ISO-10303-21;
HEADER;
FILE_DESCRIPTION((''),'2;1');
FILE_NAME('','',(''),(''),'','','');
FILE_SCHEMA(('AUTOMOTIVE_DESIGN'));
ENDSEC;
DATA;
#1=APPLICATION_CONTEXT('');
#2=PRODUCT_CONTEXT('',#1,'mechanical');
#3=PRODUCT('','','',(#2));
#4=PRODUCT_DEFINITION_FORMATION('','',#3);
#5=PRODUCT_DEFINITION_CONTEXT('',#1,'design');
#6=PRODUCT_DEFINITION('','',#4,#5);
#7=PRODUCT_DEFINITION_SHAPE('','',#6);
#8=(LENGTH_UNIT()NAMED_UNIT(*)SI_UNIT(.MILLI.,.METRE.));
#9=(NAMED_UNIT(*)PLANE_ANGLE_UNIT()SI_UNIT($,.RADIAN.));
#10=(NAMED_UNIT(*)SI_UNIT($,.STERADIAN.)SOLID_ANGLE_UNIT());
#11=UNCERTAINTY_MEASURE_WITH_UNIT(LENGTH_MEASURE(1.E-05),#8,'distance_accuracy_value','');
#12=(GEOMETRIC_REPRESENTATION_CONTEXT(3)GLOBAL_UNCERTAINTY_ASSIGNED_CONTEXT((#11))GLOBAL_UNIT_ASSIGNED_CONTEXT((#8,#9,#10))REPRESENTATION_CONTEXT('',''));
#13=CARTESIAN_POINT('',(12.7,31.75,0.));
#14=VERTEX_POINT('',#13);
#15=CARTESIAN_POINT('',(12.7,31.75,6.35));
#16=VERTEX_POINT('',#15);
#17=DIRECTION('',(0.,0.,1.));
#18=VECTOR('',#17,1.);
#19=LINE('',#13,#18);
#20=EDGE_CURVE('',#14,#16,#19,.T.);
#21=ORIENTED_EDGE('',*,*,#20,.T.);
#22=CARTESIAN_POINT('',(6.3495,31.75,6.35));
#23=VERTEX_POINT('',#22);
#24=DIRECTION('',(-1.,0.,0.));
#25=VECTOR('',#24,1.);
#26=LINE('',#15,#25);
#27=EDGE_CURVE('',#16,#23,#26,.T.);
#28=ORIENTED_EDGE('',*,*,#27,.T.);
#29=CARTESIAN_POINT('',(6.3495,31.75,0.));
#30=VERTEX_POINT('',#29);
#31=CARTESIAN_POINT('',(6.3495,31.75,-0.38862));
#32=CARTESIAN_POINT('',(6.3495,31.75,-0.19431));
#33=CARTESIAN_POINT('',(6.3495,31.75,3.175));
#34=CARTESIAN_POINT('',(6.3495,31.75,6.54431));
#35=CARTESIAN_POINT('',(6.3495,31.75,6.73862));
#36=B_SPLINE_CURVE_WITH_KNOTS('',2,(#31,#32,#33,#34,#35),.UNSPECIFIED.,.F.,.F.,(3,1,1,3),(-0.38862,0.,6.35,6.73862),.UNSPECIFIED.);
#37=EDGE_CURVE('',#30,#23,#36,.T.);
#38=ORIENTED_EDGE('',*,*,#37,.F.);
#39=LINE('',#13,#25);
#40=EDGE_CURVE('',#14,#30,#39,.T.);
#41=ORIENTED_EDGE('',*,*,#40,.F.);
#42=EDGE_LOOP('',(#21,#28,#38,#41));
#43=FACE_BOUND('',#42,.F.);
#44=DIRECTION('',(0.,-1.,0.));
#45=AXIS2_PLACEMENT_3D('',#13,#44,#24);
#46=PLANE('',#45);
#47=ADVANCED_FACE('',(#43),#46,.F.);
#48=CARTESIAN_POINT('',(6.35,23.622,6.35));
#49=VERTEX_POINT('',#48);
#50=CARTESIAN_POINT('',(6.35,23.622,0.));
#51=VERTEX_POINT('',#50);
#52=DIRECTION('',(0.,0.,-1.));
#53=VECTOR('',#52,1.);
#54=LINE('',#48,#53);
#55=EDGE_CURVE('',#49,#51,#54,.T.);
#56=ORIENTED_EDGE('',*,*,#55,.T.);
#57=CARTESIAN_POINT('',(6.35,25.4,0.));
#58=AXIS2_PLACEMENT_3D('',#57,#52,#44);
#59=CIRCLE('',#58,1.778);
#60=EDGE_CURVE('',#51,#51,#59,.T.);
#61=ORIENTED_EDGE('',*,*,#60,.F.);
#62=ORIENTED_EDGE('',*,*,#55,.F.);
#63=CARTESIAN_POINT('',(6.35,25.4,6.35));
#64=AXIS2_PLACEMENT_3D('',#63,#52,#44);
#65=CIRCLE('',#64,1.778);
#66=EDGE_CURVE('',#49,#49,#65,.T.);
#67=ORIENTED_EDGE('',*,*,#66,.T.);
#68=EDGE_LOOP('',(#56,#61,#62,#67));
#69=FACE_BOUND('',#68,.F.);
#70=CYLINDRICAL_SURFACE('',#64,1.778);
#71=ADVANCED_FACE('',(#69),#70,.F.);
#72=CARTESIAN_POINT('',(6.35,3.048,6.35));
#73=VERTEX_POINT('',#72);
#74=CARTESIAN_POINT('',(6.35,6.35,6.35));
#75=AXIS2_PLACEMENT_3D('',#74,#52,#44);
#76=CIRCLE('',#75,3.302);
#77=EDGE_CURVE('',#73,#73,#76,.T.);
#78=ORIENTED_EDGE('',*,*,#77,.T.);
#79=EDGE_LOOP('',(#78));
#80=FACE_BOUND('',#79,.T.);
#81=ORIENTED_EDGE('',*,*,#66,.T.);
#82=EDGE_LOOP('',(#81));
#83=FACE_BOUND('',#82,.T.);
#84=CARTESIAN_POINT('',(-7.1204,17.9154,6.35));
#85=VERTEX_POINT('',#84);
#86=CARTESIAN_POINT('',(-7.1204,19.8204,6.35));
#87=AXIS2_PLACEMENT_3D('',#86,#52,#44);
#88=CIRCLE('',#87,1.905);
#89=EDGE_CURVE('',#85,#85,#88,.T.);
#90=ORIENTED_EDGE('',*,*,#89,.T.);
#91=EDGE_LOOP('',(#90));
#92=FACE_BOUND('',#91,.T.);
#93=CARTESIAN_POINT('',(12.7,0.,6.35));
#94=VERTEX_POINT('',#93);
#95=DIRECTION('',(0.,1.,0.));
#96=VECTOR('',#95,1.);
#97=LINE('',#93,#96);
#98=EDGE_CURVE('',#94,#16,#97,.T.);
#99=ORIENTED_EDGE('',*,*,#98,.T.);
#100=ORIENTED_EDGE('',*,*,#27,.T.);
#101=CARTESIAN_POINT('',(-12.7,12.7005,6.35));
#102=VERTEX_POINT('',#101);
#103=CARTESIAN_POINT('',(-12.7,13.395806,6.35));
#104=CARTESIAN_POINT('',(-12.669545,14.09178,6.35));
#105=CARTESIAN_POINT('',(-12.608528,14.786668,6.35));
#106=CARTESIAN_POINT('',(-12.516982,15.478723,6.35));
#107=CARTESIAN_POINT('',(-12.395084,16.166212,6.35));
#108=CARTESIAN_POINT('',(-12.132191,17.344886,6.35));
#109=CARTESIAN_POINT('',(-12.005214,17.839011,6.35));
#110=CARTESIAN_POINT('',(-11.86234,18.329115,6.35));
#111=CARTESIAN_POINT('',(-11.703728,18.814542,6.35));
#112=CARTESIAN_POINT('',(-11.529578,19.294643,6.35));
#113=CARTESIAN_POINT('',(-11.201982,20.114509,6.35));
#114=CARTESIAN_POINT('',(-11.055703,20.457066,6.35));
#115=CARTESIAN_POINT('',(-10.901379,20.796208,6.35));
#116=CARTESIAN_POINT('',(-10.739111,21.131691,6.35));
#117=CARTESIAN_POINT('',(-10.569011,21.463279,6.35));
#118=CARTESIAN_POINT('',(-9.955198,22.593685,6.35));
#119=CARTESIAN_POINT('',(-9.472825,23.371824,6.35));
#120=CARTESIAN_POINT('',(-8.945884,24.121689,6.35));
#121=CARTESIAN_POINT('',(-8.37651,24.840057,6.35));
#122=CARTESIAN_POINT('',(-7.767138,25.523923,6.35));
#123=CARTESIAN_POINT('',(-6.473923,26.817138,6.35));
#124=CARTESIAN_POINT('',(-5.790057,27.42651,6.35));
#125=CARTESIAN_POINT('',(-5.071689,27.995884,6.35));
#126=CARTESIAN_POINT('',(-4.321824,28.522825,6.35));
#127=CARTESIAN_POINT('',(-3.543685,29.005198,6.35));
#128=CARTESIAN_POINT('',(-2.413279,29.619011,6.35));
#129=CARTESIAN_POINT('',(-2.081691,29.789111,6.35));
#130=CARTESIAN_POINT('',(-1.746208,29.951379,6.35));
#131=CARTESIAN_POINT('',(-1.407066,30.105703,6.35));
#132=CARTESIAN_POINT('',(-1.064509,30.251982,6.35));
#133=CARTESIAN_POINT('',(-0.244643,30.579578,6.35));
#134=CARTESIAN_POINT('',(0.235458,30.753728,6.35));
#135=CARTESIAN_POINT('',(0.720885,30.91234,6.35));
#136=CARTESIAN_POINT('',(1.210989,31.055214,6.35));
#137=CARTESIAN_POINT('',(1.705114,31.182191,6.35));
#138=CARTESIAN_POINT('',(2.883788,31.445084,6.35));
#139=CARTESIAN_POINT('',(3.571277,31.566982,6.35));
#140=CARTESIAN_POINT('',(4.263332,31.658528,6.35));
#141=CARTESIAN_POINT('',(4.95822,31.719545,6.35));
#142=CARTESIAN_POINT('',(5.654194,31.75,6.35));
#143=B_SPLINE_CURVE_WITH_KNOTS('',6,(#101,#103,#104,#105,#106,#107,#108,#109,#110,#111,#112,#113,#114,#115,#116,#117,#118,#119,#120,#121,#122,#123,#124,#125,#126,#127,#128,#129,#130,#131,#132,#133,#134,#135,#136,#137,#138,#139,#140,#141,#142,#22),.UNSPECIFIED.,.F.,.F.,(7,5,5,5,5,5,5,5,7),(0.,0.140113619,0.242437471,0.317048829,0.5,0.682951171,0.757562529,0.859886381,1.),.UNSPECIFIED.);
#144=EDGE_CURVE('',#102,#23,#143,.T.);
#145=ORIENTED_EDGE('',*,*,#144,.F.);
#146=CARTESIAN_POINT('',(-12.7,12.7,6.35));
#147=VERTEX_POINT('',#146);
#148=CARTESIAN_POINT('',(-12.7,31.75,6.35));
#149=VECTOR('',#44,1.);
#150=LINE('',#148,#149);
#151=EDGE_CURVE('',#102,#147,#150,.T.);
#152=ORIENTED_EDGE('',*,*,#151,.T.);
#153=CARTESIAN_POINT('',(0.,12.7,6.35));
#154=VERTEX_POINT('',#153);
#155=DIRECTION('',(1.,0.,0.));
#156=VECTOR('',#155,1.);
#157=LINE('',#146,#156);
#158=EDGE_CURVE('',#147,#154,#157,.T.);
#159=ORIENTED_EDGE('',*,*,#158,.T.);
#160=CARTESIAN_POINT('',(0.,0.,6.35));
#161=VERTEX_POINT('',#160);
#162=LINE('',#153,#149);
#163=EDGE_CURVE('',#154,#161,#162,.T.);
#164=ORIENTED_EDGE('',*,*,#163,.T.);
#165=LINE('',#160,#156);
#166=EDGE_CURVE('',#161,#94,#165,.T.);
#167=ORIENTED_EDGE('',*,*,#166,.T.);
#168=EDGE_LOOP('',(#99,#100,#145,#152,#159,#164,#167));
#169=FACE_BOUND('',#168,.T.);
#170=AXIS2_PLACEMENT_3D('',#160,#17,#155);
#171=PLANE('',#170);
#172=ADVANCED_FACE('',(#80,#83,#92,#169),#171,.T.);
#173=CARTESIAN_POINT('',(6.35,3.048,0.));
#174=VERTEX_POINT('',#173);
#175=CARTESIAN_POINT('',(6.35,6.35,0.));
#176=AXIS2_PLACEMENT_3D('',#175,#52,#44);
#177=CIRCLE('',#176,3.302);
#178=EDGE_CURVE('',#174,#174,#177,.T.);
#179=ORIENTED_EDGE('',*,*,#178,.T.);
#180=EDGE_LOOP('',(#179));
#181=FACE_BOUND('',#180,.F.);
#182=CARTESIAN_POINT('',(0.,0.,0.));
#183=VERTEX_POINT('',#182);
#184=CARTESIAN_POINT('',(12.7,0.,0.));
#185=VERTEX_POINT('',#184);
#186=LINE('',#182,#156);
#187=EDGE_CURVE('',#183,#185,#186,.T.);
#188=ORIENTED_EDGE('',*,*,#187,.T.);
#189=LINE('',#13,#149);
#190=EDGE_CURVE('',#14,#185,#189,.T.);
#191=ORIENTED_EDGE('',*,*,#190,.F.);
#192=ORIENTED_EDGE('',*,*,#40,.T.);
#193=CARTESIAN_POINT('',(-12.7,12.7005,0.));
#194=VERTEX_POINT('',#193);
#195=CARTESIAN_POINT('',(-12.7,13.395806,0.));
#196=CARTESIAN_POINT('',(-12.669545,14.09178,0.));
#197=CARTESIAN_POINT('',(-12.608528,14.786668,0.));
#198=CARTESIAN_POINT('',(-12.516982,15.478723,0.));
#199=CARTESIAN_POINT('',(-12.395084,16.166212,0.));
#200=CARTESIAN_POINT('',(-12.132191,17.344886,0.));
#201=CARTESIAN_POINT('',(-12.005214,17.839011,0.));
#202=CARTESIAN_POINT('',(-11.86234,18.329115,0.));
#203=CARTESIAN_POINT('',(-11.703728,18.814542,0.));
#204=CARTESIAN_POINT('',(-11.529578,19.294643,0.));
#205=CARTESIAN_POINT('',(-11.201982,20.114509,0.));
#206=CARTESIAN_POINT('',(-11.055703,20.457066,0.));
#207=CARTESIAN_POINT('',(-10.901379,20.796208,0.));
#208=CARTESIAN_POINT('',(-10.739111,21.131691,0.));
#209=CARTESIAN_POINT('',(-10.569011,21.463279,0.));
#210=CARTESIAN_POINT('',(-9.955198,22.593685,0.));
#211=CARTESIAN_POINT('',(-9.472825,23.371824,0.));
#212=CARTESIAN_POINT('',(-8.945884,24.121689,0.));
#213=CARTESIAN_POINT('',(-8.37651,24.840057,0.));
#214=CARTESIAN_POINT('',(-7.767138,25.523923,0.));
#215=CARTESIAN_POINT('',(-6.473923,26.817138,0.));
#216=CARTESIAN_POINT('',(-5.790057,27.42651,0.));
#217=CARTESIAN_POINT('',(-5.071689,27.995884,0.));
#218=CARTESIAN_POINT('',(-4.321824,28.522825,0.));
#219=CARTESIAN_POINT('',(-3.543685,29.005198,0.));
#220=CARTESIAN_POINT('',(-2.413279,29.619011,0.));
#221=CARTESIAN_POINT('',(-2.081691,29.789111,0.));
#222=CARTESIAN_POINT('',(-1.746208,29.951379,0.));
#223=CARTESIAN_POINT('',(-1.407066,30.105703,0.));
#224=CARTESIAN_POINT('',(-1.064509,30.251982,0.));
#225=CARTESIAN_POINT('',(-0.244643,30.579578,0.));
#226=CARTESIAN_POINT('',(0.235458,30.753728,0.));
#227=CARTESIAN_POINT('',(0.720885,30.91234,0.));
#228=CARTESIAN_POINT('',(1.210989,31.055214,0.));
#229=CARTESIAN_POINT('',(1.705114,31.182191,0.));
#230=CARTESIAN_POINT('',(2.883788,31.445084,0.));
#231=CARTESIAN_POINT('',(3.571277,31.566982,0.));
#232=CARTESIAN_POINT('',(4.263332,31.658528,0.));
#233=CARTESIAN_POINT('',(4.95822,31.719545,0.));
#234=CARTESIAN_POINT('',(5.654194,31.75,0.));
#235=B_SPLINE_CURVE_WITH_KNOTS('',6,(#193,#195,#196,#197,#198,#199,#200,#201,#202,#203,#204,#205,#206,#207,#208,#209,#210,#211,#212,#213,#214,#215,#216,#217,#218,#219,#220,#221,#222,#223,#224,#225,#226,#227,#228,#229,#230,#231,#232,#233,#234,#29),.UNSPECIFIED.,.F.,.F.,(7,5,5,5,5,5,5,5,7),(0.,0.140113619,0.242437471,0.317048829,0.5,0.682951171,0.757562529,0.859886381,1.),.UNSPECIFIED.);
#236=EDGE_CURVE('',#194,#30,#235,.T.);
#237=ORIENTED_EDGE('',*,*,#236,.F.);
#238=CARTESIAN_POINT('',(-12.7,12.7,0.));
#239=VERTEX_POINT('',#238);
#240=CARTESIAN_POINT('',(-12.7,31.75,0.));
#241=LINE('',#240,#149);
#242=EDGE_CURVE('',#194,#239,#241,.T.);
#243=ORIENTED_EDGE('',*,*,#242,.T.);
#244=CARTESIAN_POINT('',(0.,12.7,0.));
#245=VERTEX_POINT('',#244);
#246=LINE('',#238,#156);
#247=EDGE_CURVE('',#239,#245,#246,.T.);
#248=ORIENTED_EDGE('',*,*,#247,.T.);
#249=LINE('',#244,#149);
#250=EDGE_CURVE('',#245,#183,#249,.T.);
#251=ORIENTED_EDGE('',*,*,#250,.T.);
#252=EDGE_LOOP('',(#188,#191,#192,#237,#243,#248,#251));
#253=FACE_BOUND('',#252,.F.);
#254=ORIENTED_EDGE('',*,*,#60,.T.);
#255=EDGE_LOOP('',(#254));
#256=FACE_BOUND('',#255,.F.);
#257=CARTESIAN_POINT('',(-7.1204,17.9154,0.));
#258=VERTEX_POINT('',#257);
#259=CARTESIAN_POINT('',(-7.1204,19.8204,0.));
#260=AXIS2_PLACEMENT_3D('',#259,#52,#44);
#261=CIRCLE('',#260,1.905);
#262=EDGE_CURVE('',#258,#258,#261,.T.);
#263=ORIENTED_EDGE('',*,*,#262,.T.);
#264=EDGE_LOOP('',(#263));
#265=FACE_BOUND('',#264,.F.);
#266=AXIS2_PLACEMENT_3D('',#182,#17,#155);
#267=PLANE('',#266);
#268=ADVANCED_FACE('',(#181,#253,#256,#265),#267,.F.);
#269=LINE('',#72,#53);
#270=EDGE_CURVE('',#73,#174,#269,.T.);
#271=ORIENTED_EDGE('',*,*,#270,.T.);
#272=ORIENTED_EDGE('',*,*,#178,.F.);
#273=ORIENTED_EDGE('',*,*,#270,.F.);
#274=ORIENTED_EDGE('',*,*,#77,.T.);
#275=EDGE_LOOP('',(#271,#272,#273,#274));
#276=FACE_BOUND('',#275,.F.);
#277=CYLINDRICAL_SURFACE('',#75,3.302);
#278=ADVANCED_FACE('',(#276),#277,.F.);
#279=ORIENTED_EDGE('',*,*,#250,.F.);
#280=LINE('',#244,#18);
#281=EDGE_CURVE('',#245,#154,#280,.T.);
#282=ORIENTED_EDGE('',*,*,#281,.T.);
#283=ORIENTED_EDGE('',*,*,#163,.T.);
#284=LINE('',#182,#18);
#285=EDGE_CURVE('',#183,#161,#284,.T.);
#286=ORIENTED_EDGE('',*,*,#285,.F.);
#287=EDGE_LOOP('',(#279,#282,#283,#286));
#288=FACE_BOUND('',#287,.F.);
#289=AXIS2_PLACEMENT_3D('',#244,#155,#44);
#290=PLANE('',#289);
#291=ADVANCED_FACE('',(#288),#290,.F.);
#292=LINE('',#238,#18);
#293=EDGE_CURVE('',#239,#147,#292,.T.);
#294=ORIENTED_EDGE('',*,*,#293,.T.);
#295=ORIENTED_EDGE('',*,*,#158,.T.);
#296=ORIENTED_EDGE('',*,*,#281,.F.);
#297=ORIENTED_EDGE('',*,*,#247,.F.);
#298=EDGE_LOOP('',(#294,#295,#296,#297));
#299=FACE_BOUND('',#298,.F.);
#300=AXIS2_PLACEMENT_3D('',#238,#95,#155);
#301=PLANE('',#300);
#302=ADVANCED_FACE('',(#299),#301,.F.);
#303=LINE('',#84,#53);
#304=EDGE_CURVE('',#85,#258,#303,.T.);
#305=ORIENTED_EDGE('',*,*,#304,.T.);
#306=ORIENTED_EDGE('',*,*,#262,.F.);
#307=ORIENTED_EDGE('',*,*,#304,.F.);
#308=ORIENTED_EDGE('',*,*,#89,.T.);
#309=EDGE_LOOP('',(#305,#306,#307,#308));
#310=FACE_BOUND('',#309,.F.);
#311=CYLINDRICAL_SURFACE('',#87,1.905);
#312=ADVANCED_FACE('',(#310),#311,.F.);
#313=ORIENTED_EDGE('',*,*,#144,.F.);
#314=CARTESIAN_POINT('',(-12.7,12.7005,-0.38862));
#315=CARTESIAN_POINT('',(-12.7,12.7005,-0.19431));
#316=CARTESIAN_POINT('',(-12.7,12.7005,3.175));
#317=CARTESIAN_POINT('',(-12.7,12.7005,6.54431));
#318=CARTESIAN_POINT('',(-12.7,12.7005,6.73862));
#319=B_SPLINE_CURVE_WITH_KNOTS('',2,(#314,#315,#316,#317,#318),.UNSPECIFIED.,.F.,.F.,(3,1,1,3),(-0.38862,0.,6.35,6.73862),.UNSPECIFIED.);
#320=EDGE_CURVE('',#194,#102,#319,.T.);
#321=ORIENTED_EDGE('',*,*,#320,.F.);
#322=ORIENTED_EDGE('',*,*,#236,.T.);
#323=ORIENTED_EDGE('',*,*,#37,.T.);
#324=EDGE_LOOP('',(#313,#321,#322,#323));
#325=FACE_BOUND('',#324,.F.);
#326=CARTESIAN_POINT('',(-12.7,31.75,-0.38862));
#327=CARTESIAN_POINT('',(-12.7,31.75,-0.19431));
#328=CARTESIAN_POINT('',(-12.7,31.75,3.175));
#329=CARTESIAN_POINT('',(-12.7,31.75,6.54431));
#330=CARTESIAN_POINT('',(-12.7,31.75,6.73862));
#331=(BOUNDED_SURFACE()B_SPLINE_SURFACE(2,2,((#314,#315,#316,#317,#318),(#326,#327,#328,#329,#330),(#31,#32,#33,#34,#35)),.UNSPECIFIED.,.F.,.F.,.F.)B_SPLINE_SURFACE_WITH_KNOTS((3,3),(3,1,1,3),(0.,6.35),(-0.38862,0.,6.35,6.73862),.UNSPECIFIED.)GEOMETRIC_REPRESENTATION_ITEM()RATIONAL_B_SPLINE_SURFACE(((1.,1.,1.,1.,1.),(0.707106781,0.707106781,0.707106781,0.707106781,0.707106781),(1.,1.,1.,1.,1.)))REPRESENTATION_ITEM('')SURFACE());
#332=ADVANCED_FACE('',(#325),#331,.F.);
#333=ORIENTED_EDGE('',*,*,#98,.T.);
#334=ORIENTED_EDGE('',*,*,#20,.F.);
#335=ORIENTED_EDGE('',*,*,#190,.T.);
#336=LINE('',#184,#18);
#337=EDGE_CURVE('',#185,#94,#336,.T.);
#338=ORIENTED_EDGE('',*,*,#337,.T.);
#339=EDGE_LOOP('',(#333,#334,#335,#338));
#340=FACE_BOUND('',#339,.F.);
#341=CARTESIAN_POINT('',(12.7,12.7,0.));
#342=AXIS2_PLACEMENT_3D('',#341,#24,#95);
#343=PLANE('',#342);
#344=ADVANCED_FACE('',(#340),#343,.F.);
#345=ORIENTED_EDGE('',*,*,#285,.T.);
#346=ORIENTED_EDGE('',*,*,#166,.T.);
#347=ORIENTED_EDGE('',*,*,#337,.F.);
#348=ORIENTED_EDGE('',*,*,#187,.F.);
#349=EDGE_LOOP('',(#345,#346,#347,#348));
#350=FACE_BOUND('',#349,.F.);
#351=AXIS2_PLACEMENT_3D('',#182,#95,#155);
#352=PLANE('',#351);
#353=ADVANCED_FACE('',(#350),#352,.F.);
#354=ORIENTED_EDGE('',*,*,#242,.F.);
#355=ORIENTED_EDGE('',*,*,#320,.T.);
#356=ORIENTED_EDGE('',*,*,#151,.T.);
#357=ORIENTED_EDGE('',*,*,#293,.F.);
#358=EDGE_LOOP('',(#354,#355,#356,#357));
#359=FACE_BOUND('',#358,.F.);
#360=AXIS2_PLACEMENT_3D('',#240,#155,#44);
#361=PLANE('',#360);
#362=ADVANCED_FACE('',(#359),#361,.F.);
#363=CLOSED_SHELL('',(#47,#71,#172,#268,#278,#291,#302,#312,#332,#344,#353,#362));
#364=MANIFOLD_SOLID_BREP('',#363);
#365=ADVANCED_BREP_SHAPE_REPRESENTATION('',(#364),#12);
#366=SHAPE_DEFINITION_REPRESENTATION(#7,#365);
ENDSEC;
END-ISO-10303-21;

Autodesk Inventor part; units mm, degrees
ref_plane "YZ Plane" through (0, 0, 0) normal (1, 0, 0) x (0, 1, 0)
ref_plane "XZ Plane" through (0, 0, 0) normal (0, 1, 0) x (-1, 0, 0)
ref_plane "XY Plane" through (0, 0, 0) normal (0, 0, 1) x (1, 0, 0)
sketch "Sketch1" plane through (0, 0, 0) normal (0, 0, 1) x (1, 0, 0)
  line L0 (0, 0) -> (12.7, 0)
  line L1 (12.7, 0) -> (12.7, 31.75)
  line L2 (12.7, 31.75) -> (0, 31.75)
  line L3 (0, 12.7) -> (0, 0)
  line L4 (12.7, 31.75) -> (-12.7, 31.75)
  line L5 (-12.7, 31.75) -> (-12.7, 12.7)
  line L6 (-12.7, 12.7) -> (0, 12.7)
  line L7 (12.7, 12.7) -> (12.7, 31.75)
  dimension "d1" = 31.75
  dimension "d2" = 25.4
  dimension "d3" = 19.05
  dimension "d4" = 12.7
  dimension "d5" = 12.7
extrude "Extrusion1" add sketch "Sketch1" along normal blind 6.35
fillet "Fillet1" radius 19.05 1 edges at (-12.7, 31.75, 3.175)
sketch "Sketch2" plane through (0, 0, 6.35) normal (0, 0, 1) x (1, 0, 0)
  line L0 (12.7, 0) -> (12.7, 31.75) projected
  line L1 (0, 0) -> (12.7, 0) projected
  point P0 (6.35, 6.35)
  dimension "d11" = 6.35
  dimension "d12" = 6.35
hole "Hole1" at (6.35, 6.35, 6.35) direction (0, 0, -1) diameter 6.604 end through all
sketch "Sketch3" plane through (0, 0, 6.35) normal (0, 0, 1) x (1, 0, 0)
  line L0 (12.7, 0) -> (12.7, 31.75) projected
  line L1 (12.7, 31.75) -> (6.35, 31.75) projected
  point P0 (0, 0)
  point P1 (6.35, 25.4)
  dimension "d20" = 6.35
  dimension "d21" = 6.35
hole "Hole2" at (6.35, 25.4, 6.35) direction (0, 0, -1) diameter 3.556 end through all
sketch "Sketch4" plane through (0, 0, 6.35) normal (0, 0, 1) x (1, 0, 0)
  circle A0 centre (6.35, 6.35) radius 3.302 projected
  circle A1 centre (6.35, 6.35) radius 19.05
  line L0 (-7.1204, 19.8204) -> (6.35, 6.35)
  line L1 (12.7, 0) -> (12.7, 31.75) projected
  point P0 (0, 0)
  dimension "d29" = 38.1
  dimension "d30" = 45
hole "Hole3" at (-7.1204, 19.8204, 6.35) direction (0, 0, -1) diameter 3.81 end through all
equation "\"d12\" = d11"
equation "\"d21\" = d20"
properties part number "Shooter_Stop"
